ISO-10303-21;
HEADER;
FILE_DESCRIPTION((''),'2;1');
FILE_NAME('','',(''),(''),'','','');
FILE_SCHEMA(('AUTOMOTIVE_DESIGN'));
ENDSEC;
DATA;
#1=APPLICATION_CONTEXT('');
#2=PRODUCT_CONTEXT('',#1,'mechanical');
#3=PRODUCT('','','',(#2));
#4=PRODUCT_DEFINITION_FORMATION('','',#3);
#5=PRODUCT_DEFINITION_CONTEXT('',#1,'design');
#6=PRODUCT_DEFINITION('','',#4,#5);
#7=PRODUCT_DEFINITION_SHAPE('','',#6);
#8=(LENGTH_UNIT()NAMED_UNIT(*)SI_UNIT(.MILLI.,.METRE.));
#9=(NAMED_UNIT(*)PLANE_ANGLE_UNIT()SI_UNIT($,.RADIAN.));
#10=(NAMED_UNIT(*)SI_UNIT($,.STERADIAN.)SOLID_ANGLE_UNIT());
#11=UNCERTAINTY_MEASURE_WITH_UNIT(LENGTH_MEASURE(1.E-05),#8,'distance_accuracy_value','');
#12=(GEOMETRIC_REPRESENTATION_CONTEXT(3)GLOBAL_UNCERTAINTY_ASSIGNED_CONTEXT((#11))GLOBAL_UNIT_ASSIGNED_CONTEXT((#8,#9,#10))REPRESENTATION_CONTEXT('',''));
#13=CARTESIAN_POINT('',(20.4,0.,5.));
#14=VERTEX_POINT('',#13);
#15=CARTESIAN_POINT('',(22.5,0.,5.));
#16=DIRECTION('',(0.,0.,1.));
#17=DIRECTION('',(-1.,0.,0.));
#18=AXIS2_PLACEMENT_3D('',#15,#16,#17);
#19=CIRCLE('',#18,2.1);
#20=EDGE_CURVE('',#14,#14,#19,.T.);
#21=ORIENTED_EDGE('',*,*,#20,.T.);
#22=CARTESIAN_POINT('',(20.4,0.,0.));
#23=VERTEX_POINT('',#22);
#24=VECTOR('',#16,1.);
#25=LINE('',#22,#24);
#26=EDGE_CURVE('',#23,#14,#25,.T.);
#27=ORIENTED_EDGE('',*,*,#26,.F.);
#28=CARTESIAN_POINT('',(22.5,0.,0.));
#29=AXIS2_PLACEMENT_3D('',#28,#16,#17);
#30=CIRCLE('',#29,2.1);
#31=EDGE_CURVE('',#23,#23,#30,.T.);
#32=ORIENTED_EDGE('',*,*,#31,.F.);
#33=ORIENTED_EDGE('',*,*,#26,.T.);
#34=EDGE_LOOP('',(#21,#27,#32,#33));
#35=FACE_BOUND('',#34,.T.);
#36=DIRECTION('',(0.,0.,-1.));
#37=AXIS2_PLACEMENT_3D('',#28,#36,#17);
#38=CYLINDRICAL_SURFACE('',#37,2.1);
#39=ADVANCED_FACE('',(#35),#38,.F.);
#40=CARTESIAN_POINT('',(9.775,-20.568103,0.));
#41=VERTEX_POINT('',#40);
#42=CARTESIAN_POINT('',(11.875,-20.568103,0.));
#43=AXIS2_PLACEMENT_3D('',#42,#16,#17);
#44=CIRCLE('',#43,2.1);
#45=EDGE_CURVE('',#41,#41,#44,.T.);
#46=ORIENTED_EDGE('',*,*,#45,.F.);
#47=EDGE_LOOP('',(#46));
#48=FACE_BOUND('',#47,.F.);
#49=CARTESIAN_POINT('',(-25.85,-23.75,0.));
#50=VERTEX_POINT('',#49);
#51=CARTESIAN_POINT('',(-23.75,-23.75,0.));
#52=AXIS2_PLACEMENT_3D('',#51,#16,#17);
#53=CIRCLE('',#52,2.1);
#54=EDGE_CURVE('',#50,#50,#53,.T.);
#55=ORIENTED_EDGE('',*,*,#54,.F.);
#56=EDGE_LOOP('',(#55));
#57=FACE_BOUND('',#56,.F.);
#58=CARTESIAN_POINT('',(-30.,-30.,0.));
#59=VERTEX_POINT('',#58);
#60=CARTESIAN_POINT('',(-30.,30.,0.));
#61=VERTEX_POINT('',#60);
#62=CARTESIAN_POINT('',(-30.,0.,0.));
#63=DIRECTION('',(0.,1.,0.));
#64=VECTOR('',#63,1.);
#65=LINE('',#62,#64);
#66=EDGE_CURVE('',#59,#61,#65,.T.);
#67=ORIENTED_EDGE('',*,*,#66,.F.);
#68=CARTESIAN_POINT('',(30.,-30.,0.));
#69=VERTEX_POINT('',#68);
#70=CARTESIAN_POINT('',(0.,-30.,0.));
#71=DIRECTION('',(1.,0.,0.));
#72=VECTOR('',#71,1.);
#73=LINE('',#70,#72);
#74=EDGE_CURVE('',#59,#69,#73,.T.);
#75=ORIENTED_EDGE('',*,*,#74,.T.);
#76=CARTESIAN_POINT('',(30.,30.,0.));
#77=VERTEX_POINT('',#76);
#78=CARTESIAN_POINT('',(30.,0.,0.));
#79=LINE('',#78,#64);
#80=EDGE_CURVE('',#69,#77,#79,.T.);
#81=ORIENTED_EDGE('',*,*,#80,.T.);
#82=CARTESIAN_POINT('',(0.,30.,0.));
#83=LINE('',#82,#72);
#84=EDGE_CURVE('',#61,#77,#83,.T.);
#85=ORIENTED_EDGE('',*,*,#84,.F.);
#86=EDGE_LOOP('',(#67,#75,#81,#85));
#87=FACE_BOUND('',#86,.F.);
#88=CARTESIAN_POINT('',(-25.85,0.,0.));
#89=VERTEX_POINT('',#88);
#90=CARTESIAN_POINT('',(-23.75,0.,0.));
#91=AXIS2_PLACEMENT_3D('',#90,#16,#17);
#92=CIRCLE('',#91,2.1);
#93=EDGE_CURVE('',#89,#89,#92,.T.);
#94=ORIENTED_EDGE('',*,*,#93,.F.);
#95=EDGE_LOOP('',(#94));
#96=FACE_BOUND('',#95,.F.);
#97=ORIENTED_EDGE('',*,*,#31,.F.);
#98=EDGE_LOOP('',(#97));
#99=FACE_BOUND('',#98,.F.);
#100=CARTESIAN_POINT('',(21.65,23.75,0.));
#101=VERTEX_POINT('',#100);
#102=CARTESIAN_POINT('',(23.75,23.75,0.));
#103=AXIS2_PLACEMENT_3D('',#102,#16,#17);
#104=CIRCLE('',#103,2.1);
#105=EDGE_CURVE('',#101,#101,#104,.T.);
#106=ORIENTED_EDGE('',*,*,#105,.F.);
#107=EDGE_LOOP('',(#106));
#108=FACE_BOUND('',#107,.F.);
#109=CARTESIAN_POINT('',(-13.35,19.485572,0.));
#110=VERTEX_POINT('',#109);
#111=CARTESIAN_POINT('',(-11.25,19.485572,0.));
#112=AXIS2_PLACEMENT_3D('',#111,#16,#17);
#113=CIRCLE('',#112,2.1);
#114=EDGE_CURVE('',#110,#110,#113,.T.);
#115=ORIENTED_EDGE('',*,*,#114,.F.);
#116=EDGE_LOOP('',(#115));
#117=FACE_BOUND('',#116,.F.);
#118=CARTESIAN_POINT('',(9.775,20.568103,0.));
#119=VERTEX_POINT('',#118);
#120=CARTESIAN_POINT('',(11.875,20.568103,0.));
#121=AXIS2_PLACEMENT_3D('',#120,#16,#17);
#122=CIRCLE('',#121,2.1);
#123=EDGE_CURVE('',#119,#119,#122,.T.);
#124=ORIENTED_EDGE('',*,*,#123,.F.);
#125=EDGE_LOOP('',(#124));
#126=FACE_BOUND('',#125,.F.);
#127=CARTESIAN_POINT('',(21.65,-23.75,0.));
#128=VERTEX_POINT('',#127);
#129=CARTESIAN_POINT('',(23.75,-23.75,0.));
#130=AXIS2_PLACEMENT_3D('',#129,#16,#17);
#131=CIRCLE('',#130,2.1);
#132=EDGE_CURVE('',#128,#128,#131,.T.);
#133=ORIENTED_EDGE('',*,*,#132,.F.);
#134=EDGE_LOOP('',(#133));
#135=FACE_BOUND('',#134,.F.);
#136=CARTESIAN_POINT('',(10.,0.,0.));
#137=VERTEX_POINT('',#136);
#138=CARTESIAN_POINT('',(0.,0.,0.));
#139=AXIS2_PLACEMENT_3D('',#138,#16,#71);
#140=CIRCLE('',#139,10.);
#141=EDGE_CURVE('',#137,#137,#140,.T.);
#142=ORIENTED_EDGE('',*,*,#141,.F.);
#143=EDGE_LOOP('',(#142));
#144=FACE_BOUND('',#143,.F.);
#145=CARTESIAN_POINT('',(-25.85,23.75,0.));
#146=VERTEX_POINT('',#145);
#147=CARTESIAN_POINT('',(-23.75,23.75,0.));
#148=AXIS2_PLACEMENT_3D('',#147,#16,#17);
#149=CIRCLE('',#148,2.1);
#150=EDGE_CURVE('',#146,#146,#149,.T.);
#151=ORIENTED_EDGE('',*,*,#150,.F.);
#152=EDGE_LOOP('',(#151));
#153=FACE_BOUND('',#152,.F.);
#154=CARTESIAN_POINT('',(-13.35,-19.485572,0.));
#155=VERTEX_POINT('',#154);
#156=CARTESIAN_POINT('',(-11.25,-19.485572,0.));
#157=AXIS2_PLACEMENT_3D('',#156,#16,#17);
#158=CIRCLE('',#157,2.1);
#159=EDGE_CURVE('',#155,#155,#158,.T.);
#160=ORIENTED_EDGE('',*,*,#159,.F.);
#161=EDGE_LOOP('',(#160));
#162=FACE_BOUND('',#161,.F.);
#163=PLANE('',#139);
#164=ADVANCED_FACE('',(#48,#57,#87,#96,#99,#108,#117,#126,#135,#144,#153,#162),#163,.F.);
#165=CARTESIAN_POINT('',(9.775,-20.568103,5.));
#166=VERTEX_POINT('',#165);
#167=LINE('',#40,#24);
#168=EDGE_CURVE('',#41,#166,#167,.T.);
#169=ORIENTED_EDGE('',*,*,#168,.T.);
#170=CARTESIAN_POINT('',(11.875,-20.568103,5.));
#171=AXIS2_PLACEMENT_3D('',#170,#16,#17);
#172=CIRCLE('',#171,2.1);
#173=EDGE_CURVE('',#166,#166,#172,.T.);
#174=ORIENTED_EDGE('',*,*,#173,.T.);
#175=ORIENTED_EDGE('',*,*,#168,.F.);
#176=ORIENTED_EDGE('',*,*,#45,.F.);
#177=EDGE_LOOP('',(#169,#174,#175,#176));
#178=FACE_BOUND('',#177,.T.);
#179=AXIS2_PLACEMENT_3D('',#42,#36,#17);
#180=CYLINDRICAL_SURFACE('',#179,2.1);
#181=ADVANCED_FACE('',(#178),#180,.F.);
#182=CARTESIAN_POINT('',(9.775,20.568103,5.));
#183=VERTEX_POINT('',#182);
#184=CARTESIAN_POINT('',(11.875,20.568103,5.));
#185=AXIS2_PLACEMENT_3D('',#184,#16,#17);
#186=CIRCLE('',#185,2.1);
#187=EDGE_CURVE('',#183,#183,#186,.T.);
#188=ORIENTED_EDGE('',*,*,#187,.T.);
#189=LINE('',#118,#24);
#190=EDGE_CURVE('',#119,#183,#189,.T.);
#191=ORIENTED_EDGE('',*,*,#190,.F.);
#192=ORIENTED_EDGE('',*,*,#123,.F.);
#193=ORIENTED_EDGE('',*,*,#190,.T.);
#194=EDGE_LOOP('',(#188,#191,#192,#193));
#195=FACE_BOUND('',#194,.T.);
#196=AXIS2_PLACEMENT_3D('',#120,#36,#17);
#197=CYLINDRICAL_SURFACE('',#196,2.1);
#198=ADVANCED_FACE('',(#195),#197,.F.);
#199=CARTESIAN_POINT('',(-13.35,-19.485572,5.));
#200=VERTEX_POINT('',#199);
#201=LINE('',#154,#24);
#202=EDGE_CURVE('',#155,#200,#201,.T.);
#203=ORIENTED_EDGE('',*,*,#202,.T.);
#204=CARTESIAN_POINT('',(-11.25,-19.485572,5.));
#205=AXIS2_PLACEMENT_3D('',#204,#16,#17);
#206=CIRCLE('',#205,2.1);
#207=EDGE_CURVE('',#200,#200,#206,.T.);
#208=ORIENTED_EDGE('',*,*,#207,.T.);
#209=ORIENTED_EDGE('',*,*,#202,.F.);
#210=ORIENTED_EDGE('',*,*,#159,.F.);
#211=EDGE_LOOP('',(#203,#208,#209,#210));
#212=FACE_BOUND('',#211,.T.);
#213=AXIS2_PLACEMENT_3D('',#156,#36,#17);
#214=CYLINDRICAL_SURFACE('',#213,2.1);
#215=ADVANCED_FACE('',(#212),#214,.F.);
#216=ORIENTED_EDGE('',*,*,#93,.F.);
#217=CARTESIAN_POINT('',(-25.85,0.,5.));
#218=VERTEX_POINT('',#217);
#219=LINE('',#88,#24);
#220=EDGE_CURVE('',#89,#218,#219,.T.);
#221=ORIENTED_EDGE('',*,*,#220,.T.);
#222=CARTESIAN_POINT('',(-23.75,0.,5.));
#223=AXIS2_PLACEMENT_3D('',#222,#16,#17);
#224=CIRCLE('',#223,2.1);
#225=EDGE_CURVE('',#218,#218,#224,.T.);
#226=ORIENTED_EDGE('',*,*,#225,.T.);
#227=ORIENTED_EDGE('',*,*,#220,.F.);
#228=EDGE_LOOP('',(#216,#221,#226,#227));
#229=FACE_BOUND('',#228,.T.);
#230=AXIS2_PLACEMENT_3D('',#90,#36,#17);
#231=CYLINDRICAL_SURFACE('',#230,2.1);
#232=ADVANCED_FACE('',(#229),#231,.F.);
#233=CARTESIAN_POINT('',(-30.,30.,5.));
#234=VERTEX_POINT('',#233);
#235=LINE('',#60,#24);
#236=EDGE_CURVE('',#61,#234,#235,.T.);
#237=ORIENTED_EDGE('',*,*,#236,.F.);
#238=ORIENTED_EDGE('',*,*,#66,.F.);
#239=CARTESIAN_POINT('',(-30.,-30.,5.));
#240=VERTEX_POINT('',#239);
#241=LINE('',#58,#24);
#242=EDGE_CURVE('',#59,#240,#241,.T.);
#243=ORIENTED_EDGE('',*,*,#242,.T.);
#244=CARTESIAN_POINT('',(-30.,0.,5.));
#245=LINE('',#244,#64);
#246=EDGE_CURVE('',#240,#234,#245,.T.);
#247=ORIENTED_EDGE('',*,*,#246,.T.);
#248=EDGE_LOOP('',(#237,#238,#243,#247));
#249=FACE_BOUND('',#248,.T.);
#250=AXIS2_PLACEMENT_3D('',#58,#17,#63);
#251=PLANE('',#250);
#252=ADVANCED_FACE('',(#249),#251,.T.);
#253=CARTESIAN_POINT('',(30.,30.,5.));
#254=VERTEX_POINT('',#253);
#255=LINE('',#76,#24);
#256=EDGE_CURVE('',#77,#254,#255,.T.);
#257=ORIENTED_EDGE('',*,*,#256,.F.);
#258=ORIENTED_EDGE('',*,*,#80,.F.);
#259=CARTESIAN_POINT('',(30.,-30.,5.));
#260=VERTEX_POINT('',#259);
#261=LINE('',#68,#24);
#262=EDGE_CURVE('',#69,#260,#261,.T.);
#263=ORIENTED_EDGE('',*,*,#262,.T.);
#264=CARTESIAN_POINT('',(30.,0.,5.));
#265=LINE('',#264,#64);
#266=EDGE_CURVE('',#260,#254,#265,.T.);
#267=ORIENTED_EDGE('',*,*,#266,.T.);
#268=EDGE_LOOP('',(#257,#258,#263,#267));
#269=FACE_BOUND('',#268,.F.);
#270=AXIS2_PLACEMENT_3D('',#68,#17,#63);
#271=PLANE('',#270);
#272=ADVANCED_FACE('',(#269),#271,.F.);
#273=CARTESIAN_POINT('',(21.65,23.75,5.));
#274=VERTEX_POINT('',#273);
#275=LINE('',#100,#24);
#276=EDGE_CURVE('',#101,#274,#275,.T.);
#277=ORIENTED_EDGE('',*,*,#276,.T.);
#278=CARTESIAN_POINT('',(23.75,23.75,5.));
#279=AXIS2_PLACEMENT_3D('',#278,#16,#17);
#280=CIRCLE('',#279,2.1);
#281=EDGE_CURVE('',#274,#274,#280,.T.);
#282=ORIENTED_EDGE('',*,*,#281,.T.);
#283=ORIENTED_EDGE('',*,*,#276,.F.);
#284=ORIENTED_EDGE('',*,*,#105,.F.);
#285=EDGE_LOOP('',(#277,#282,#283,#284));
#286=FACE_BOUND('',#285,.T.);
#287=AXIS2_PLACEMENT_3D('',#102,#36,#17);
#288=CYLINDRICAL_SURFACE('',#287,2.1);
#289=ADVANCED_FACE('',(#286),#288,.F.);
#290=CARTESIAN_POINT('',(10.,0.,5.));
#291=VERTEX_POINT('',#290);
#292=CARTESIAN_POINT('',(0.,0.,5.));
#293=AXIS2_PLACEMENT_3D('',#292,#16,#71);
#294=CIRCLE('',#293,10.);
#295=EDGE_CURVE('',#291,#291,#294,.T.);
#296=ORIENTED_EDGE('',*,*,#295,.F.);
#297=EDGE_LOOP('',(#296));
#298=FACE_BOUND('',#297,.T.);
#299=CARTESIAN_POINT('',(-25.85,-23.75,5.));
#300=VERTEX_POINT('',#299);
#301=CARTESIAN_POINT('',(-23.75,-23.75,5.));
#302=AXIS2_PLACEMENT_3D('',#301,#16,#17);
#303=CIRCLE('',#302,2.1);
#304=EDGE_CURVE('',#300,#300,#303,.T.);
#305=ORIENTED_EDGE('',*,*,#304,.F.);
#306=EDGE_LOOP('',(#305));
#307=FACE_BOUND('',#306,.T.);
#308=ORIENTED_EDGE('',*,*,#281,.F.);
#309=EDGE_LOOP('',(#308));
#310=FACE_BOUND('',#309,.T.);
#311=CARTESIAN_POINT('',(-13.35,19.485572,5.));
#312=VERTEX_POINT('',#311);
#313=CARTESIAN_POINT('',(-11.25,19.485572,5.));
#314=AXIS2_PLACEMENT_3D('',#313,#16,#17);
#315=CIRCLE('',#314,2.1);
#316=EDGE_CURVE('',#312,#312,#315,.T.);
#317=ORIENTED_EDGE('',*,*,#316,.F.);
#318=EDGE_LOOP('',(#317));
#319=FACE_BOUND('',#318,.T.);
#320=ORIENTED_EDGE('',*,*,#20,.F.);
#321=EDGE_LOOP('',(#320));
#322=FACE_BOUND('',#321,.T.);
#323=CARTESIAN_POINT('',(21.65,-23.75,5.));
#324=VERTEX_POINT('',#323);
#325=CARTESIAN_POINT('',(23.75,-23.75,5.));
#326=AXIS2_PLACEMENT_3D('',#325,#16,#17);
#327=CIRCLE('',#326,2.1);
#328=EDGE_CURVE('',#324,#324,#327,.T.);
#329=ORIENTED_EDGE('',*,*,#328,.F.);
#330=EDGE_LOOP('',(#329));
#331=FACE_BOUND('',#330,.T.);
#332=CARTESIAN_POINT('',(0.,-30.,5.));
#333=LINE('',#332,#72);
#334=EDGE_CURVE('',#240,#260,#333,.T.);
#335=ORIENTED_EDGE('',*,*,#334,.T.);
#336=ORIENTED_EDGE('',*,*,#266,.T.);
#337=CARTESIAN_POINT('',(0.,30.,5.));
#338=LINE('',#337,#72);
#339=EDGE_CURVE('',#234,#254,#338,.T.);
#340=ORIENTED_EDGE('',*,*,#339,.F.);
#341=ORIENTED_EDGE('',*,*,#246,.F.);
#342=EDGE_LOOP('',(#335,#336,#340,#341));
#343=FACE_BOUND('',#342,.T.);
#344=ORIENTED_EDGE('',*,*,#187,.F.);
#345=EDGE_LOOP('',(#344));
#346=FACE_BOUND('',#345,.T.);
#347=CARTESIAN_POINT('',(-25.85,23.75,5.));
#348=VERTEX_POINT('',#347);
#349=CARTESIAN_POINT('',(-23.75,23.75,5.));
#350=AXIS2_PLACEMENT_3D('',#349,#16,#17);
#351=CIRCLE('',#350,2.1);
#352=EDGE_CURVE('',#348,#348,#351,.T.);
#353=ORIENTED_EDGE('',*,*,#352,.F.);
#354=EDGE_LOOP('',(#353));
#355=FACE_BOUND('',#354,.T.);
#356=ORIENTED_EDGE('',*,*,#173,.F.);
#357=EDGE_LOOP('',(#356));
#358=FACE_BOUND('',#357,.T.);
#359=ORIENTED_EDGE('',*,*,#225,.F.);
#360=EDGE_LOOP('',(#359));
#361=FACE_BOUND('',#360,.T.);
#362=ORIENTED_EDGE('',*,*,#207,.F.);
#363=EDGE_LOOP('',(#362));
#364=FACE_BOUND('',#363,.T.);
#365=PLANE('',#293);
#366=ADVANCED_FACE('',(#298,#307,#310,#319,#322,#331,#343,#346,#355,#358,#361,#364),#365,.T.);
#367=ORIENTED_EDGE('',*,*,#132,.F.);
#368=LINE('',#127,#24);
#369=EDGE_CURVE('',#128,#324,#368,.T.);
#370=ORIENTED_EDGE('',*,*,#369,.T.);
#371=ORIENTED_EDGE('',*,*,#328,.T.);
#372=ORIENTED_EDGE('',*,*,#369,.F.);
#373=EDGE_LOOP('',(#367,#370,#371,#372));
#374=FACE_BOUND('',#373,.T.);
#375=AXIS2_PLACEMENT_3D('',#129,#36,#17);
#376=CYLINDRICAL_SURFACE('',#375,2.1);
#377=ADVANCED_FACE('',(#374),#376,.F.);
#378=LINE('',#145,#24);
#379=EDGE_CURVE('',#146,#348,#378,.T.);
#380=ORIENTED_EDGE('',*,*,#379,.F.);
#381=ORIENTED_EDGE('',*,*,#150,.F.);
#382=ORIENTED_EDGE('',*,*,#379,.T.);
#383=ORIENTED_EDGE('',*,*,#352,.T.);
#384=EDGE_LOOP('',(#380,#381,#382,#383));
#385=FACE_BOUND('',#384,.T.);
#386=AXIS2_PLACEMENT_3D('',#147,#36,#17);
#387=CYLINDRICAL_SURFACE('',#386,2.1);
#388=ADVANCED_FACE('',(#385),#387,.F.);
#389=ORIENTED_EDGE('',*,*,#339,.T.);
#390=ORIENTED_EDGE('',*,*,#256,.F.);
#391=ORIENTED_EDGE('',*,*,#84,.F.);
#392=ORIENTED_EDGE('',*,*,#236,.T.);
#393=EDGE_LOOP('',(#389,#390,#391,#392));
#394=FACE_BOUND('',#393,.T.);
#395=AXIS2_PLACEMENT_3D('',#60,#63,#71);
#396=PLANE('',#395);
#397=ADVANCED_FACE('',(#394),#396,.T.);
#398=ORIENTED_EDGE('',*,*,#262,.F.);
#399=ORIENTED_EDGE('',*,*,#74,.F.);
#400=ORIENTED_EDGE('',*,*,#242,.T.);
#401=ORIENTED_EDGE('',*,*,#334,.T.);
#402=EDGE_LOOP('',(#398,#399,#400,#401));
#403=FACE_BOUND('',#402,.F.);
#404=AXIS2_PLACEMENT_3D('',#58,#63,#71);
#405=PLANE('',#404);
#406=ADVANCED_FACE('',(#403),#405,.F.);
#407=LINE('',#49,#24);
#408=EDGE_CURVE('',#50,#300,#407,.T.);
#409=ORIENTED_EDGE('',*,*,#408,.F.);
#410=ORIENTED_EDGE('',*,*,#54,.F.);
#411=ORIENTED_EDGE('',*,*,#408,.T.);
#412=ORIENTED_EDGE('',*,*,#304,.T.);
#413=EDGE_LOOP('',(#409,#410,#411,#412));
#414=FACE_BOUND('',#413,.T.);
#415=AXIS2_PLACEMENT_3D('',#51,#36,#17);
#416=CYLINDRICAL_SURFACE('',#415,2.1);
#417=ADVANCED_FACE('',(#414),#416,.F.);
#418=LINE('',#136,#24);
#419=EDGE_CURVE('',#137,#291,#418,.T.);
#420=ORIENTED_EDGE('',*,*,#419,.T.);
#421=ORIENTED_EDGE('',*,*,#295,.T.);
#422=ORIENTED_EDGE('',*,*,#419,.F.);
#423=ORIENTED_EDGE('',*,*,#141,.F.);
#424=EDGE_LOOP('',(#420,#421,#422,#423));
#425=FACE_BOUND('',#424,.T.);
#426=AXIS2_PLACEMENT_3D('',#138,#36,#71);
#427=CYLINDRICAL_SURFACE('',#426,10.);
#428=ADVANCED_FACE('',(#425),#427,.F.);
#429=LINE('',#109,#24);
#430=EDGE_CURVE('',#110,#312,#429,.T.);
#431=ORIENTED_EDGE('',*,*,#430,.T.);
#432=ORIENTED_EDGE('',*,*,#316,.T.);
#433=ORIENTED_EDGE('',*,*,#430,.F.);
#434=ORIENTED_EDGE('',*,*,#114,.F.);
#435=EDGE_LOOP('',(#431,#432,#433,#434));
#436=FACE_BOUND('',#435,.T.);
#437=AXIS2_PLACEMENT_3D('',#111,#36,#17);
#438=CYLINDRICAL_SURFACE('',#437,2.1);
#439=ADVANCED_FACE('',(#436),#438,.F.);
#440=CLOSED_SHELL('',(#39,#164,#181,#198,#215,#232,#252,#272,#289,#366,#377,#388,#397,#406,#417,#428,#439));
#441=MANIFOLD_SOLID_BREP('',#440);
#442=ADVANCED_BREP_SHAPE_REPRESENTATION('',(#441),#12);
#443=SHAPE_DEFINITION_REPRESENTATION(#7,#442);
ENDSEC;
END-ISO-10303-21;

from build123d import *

# Parameters (mm, degrees)
SKETCH_3_W          = 60
SKETCH_3_H          = 60
SKETCH_3_R          = 10
EXTRUDE_2_DEPTH     = 5
SKETCH_4_R          = 2.1
CUT_EXTRUDE_1_DEPTH = 5


with BuildPart() as part:
    # 草图3 → 凸台-拉伸2 (new body)
    with BuildSketch(Plane.XY):
        Rectangle(SKETCH_3_W, SKETCH_3_H)
        Circle(SKETCH_3_R, mode=Mode.SUBTRACT)
    extrude(amount=EXTRUDE_2_DEPTH)

    # 草图4 → 切除-拉伸1 (cut)
    with BuildSketch(Plane.XY):
        with Locations(Location((11.875, 20.56810334, 0), (0, 0, 180))):
            Circle(SKETCH_4_R)
        with Locations(Location((22.5, 0, 0), (0, 0, 180))):
            Circle(SKETCH_4_R)
        with Locations(Location((11.875, -20.56810334, 0), (0, 0, 180))):
            Circle(SKETCH_4_R)
        with Locations(Location((-11.25, -19.485571585, 0), (0, 0, 180))):
            Circle(SKETCH_4_R)
        with Locations(Location((-23.75, 0, 0), (0, 0, 180))):
            Circle(SKETCH_4_R)
        with Locations(Location((-11.25, 19.485571585, 0), (0, 0, 180))):
            Circle(SKETCH_4_R)
        with Locations(Location((-23.75, 23.75, 0), (0, 0, 180))):
            Circle(SKETCH_4_R)
        with Locations(Location((23.75, 23.75, 0), (0, 0, 180))):
            Circle(SKETCH_4_R)
        with Locations(Location((23.75, -23.75, 0), (0, 0, 180))):
            Circle(SKETCH_4_R)
        with Locations(Location((-23.75, -23.75, 0), (0, 0, 180))):
            Circle(SKETCH_4_R)
    extrude(amount=CUT_EXTRUDE_1_DEPTH, mode=Mode.SUBTRACT)


solid = part.part
